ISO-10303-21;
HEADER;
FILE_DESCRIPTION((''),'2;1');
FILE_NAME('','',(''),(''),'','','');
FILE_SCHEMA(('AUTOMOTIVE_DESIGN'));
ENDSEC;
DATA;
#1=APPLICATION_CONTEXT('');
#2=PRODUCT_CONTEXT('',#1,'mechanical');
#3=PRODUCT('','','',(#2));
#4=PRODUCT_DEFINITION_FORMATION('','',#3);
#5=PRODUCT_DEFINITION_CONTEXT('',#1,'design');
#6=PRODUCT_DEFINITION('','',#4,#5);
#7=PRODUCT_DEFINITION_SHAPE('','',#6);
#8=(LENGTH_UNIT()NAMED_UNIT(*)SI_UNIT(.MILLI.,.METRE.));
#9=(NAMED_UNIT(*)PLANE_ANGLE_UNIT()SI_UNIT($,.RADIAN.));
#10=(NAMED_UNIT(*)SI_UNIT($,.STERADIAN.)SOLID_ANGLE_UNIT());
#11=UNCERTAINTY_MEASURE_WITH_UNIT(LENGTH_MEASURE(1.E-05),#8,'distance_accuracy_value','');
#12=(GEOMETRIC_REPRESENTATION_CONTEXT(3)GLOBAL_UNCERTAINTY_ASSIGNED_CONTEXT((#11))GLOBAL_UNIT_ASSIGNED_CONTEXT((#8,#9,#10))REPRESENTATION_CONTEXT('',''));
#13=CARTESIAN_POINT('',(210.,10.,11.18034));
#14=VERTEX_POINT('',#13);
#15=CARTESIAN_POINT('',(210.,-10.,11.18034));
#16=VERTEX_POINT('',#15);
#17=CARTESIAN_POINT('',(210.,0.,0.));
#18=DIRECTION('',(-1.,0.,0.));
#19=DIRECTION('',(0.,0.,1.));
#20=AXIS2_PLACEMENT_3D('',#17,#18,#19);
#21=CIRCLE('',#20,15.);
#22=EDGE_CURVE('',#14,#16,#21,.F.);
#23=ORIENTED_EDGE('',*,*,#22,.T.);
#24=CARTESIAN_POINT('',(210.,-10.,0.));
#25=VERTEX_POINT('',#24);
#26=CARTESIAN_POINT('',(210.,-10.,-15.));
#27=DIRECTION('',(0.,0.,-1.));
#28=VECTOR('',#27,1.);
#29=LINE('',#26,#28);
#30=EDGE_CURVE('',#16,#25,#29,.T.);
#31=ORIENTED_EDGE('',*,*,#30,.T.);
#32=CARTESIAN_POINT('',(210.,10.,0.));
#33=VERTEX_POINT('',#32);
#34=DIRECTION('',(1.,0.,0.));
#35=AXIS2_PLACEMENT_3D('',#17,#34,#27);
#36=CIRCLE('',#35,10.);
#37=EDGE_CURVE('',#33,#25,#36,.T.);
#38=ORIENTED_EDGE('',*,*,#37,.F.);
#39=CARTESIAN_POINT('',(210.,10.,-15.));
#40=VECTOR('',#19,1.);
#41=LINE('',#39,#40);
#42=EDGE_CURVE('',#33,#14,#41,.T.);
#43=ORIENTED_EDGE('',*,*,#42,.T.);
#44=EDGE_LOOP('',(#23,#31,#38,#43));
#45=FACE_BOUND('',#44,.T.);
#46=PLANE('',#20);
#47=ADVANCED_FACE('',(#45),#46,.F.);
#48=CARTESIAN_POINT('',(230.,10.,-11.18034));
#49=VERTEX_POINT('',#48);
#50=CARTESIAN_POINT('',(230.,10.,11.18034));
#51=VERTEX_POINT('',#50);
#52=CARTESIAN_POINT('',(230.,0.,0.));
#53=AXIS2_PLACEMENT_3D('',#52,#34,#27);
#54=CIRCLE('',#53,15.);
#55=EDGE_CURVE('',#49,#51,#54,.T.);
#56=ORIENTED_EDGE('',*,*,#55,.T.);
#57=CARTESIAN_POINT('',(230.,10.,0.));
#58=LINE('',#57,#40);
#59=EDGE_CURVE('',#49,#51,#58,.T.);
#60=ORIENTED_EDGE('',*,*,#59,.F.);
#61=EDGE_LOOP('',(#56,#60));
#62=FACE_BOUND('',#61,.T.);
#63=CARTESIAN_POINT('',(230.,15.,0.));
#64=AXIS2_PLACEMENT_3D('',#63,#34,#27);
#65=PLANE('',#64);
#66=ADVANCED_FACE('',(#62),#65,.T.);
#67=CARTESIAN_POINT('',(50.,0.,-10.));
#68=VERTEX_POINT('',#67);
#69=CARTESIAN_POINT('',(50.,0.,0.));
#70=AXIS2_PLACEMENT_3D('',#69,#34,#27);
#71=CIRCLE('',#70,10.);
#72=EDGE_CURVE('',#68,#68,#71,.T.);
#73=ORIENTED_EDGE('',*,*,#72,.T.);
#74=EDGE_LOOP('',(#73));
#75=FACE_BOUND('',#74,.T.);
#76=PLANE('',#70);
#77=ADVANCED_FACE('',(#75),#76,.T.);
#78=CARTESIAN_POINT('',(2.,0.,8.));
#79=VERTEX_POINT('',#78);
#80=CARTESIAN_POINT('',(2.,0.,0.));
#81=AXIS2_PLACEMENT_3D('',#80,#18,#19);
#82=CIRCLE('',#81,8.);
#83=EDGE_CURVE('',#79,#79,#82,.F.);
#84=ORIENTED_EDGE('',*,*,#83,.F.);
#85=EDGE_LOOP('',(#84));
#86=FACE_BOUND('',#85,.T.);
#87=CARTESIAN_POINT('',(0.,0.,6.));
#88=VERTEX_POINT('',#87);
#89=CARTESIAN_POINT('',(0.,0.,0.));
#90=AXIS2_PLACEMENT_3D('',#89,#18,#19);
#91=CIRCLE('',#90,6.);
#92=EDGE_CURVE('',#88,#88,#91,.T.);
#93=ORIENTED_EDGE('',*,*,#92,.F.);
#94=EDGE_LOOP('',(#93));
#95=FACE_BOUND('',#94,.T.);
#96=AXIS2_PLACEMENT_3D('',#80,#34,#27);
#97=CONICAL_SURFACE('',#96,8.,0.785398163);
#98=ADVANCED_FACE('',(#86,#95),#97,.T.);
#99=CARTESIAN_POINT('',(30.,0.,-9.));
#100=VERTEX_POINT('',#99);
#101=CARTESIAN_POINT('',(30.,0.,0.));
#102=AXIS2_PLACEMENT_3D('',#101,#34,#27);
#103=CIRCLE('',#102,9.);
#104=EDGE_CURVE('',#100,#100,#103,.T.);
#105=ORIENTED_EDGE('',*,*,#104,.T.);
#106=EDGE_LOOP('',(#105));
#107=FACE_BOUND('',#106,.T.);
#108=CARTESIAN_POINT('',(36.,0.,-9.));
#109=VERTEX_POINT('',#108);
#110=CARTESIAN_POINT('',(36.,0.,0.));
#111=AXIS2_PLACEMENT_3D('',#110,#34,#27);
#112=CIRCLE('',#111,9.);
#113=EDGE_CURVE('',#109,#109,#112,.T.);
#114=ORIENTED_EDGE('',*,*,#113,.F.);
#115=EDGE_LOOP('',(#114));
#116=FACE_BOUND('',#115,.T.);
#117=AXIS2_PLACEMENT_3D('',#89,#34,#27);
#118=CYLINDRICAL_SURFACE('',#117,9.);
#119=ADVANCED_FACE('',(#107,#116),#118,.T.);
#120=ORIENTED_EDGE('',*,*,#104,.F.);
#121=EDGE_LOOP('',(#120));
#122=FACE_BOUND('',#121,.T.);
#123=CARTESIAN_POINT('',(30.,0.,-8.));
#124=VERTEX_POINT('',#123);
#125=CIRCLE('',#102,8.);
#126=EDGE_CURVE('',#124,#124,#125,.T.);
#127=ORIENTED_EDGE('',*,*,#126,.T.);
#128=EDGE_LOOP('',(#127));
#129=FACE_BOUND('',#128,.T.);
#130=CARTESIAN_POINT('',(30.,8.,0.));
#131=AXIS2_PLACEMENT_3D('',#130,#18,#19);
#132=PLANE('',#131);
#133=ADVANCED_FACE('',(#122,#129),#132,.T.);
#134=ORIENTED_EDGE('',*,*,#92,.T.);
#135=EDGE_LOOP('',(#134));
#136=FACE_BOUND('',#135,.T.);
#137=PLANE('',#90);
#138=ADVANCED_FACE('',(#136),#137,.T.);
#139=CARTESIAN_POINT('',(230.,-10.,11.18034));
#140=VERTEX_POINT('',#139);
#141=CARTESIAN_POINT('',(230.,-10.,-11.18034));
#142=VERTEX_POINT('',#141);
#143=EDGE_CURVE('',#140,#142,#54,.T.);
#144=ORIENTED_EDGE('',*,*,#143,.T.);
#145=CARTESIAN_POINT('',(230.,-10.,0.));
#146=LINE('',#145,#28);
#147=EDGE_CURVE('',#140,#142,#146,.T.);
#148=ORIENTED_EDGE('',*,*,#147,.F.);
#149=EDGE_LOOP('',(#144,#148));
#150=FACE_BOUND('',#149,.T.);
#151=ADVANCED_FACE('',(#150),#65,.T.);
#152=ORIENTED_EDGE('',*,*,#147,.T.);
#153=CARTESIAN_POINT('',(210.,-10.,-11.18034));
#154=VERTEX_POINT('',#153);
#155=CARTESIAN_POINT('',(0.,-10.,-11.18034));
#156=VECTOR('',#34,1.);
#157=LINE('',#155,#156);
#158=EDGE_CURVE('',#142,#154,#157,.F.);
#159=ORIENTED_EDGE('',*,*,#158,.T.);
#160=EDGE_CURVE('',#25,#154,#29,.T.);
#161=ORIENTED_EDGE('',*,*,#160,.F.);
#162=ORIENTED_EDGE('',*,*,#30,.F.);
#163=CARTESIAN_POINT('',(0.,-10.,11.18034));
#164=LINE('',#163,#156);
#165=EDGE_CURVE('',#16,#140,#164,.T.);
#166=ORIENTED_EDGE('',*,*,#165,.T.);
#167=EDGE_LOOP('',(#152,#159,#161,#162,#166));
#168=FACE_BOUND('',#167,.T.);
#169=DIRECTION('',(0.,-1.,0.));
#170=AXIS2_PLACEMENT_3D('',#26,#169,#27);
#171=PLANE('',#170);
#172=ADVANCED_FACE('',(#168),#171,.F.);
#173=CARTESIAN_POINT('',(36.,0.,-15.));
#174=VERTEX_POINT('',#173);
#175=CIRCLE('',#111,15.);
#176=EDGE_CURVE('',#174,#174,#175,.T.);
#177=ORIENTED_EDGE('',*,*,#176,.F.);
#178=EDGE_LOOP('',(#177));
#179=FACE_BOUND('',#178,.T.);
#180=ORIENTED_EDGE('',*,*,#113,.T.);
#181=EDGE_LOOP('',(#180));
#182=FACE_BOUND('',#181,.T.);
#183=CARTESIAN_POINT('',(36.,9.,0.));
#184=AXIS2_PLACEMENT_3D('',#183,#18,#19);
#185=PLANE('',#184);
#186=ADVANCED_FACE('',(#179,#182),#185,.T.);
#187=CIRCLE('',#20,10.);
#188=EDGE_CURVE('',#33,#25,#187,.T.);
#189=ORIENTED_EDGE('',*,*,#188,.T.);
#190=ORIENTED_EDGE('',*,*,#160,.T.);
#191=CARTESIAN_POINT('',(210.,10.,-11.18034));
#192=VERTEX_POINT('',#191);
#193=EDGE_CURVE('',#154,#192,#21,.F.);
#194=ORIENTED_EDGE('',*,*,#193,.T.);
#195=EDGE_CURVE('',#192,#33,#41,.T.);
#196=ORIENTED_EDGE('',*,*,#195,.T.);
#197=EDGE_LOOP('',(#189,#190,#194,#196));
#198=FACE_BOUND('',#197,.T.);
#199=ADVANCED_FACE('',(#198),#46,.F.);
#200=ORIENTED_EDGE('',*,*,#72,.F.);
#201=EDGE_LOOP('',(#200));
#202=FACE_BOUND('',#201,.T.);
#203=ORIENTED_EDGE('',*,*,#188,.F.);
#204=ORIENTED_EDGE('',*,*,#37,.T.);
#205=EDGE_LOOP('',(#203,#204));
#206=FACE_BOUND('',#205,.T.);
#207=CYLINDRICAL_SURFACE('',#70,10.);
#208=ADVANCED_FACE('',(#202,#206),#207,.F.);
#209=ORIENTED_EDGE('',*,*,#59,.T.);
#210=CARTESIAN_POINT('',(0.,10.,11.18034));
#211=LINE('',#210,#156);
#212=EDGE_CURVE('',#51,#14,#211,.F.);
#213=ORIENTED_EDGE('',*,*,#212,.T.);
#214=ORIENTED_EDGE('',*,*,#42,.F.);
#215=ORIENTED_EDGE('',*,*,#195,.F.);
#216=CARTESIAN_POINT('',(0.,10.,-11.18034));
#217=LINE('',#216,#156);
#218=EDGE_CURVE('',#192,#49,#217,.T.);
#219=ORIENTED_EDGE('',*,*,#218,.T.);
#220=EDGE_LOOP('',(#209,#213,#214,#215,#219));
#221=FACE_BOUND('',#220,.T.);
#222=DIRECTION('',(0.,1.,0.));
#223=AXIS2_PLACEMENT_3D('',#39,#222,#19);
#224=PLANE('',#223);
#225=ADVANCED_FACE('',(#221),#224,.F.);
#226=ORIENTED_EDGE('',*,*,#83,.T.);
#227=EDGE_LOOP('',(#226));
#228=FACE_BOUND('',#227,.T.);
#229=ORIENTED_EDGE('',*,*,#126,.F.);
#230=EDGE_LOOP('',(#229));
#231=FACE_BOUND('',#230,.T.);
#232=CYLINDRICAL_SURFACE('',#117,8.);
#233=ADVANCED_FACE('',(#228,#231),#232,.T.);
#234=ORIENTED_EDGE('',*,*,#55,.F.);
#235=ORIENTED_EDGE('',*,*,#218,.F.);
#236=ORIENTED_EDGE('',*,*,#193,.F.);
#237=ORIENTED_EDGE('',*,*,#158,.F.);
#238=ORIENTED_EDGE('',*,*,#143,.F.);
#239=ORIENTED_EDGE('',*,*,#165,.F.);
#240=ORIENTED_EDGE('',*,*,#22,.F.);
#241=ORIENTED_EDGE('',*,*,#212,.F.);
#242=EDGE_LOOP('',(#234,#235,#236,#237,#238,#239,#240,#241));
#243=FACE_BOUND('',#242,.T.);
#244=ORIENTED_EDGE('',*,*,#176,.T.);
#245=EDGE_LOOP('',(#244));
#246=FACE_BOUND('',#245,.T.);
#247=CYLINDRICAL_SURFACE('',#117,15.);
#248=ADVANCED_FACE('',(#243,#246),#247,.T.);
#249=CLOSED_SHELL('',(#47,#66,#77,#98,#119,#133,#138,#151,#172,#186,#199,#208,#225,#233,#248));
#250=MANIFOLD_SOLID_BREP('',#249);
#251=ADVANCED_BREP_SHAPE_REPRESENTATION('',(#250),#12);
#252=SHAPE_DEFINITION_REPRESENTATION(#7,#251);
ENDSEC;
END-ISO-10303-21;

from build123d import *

# Parameters (mm, degrees)
CHAMFER_1_SIZE = 2
SKETCH1_W      = 30
SKETCH1_H      = 20
EXTRUDE1_DEPTH = 20
SKETCH2_R      = 10
EXTRUDE3_DEPTH = 160


with BuildPart() as part:
    # Эскиз1 → Повернуть1 (revolve)
    with BuildSketch(Plane.XY, mode=Mode.PRIVATE) as revolve_1_sk:
        Polygon((0, 0), (0, 8), (30, 8), (30, 9), (36, 9), (36, 15), (230, 15), (230, 0), align=None)
    revolve(revolve_1_sk.sketch.rotate(Axis((0, 0, 0), (-1, 0, 0)), 90), axis=Axis((0, 0, 0), (-1, 0, 0)))

    # Фаска1
    chamfer_1_edges = [part.edges().sort_by_distance(p)[0] for p in [
        (0, 0, 8),
    ]]
    chamfer(chamfer_1_edges, length=CHAMFER_1_SIZE)

    # Sketch1 → Extrude1 (cut)
    with BuildSketch(Plane(origin=(230, 0, 0), x_dir=(0, 0, -1), z_dir=(1, 0, 0))):
        Rectangle(SKETCH1_W, SKETCH1_H)
    extrude(amount=-EXTRUDE1_DEPTH, mode=Mode.SUBTRACT)

    # Sketch2 → Extrude3 (cut)
    with BuildSketch(Plane(origin=(210, 0, 0), x_dir=(0, 0, -1), z_dir=(1, 0, 0))):
        Circle(SKETCH2_R)
    extrude(amount=-EXTRUDE3_DEPTH, mode=Mode.SUBTRACT)


solid = part.part
